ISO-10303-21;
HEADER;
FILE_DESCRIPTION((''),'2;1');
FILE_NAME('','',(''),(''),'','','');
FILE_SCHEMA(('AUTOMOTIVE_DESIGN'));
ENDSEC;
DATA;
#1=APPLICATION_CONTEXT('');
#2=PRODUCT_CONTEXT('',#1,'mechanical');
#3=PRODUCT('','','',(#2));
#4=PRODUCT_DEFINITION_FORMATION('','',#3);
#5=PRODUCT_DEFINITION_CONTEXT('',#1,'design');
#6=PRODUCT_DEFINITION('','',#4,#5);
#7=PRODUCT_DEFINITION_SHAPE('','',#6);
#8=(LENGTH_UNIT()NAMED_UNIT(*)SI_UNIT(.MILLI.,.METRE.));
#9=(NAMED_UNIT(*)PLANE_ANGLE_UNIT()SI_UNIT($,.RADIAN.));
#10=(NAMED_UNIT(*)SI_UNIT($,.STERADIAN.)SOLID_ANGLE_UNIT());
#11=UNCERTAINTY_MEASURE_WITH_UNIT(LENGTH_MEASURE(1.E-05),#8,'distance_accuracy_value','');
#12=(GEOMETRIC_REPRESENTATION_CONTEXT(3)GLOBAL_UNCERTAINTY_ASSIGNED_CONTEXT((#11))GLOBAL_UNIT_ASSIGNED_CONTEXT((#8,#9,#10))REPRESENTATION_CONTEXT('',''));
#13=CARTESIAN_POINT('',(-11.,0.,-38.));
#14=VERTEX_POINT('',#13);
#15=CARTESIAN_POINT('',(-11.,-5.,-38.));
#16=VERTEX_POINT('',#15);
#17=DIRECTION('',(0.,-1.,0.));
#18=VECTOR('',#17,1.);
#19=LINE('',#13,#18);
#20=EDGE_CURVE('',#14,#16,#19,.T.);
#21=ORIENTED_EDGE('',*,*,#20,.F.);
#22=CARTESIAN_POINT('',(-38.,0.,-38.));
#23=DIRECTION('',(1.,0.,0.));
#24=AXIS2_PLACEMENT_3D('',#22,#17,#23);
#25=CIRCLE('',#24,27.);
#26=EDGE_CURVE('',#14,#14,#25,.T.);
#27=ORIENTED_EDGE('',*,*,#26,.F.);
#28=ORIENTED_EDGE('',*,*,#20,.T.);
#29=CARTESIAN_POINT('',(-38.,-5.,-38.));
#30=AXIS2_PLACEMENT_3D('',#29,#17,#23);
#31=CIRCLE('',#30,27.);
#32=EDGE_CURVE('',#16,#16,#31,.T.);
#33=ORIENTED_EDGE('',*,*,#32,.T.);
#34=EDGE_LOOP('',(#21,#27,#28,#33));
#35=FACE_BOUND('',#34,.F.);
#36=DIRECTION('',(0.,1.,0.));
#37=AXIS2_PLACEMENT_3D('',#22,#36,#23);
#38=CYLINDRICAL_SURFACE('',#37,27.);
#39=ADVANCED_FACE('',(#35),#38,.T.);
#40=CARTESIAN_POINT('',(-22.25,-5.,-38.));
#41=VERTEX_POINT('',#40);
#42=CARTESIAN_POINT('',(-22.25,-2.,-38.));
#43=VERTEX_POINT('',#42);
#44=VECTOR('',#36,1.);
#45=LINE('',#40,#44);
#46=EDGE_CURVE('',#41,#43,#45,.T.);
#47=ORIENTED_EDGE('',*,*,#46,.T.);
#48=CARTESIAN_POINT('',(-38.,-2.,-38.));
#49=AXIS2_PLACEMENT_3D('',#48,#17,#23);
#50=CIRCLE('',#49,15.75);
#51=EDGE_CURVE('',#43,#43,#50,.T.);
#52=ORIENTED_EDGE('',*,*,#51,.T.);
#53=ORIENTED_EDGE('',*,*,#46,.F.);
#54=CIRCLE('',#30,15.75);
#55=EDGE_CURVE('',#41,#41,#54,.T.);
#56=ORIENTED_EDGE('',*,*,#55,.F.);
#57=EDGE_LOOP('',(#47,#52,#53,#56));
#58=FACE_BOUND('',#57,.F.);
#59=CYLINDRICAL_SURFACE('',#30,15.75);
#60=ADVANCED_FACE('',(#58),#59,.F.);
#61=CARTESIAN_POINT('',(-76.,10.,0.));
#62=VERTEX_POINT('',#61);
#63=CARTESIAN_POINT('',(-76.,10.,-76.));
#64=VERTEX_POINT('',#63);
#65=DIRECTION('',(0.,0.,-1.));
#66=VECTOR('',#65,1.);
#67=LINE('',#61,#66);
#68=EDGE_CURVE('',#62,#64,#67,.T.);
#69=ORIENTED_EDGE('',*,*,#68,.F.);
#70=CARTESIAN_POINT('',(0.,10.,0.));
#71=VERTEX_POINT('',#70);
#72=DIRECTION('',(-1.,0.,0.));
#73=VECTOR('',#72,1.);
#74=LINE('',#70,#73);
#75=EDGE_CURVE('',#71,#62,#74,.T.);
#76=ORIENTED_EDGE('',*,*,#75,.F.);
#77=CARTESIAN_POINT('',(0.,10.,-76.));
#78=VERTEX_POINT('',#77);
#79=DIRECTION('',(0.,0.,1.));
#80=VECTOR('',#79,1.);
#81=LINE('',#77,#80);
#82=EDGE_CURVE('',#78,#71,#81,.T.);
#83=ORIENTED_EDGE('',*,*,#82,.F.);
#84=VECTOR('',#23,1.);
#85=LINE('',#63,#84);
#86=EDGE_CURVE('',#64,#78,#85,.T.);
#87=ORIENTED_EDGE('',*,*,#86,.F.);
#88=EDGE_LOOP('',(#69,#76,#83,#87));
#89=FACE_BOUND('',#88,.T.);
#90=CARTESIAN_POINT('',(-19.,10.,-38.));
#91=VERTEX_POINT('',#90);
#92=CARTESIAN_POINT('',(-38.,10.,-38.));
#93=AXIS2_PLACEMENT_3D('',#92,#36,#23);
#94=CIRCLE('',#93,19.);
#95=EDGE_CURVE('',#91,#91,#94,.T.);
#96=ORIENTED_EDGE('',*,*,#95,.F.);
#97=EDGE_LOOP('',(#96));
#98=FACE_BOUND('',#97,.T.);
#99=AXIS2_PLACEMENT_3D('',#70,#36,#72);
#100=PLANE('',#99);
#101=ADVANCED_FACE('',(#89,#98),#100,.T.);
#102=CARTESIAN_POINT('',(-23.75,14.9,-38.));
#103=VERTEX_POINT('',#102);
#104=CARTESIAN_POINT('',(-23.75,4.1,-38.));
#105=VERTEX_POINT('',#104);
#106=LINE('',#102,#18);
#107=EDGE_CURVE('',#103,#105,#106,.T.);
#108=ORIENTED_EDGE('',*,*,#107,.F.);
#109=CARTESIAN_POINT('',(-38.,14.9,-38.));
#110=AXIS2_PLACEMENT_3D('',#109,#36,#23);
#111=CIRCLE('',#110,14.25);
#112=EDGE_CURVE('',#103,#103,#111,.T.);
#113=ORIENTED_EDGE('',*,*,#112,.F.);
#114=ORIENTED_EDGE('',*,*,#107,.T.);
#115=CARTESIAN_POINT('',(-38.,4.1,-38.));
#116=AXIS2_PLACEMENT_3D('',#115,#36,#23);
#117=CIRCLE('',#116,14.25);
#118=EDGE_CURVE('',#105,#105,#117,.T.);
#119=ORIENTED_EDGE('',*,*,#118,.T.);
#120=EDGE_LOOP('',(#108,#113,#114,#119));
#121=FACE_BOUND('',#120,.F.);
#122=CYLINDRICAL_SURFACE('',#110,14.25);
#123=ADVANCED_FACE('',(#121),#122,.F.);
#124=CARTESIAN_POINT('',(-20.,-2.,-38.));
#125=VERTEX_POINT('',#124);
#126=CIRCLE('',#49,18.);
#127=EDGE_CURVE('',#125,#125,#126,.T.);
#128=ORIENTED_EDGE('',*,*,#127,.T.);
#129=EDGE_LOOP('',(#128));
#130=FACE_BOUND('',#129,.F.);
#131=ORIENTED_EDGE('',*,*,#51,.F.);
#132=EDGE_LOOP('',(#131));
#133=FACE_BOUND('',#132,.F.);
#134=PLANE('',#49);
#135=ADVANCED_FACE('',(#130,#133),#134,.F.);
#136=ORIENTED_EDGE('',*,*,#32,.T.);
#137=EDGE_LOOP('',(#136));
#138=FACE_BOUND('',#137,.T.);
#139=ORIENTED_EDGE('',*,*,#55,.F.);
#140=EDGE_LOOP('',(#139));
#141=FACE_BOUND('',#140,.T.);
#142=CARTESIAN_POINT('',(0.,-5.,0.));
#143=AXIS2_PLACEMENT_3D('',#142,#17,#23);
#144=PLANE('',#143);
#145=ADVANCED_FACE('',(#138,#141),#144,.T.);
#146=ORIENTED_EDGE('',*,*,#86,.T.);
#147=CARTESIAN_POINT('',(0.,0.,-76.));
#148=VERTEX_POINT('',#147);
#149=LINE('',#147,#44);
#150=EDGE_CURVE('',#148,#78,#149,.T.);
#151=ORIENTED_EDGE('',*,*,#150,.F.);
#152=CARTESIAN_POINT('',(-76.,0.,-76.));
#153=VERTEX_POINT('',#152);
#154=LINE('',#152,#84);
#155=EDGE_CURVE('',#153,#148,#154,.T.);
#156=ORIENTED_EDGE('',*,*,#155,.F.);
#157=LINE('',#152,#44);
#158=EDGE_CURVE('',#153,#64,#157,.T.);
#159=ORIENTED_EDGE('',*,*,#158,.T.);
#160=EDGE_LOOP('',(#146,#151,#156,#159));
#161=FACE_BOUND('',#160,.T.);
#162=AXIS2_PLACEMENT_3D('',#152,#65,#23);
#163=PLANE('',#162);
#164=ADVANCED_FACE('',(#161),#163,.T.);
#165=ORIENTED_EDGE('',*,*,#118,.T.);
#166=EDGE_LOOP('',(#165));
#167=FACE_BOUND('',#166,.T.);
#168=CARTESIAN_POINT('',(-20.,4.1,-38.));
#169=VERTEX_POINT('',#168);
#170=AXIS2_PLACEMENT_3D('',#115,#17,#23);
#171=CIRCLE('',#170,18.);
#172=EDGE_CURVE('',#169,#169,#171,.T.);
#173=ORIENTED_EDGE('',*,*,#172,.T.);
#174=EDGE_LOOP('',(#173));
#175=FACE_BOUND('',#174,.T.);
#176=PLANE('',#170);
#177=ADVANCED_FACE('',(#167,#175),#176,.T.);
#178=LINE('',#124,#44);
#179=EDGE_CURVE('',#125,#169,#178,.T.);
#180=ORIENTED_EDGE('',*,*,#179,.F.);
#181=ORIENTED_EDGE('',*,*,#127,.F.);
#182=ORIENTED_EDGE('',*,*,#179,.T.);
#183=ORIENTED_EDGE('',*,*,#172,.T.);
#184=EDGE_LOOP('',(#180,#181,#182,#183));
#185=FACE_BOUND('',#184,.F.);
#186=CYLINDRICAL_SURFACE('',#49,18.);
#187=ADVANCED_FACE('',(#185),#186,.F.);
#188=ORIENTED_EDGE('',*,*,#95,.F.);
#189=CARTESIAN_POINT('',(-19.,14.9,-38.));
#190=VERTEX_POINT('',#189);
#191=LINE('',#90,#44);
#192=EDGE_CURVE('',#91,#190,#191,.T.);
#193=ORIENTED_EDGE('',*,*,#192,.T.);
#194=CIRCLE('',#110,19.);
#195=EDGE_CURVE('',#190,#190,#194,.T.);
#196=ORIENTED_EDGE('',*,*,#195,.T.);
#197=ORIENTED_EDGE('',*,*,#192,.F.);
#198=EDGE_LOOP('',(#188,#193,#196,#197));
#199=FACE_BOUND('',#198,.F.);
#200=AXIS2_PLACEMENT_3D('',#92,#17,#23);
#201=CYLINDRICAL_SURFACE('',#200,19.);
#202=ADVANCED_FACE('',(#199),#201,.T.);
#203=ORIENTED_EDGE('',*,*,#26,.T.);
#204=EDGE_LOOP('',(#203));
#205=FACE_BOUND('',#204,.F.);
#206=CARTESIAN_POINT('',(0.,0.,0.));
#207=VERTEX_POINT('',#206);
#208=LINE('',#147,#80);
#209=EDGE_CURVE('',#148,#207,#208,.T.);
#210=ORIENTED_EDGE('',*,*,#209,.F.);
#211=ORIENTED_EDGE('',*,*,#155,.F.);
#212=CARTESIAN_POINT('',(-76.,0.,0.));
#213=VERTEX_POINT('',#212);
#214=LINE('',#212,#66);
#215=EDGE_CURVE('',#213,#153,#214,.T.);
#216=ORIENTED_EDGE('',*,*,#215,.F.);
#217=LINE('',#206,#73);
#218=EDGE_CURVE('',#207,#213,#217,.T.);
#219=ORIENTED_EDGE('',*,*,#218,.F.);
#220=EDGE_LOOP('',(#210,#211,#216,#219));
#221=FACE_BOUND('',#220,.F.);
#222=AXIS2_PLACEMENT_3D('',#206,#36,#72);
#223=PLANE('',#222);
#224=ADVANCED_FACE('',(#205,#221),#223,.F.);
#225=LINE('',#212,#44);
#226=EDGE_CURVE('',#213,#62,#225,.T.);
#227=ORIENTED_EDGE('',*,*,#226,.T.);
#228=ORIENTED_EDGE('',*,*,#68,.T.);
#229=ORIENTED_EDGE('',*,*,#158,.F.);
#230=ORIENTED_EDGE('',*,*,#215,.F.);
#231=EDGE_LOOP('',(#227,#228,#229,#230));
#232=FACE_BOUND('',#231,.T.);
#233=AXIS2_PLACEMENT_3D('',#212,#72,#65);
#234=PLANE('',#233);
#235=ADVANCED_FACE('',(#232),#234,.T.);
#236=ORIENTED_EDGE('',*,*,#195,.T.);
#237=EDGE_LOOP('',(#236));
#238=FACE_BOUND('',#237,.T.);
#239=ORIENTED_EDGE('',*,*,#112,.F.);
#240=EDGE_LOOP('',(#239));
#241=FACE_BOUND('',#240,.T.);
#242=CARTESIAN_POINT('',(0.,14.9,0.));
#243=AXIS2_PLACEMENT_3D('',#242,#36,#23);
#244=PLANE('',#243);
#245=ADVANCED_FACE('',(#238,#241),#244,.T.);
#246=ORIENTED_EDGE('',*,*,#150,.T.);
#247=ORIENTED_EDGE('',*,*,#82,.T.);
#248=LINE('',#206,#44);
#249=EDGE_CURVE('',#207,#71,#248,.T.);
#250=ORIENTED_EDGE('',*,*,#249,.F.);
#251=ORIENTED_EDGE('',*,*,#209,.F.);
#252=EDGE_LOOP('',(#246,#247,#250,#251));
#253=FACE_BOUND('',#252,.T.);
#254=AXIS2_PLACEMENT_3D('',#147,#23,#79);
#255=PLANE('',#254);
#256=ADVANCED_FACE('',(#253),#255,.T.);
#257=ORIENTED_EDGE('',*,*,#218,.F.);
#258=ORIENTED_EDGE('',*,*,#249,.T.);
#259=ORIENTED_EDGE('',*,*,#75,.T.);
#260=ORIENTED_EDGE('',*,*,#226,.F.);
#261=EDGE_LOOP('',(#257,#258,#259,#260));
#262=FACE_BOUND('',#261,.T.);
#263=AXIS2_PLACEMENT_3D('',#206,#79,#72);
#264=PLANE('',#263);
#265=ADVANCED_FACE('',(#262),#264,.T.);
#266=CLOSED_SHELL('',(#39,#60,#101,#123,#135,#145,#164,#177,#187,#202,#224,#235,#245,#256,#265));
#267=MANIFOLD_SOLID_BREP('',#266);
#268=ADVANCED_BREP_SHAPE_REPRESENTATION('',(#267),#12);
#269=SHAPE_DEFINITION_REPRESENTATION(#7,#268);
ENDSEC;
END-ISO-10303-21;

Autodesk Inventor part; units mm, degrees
ref_plane "YZ Plane" through (0, 0, 0) normal (1, 0, 0) x (0, 1, 0)
ref_plane "XZ Plane" through (0, 0, 0) normal (0, 1, 0) x (-1, 0, 0)
ref_plane "XY Plane" through (0, 0, 0) normal (0, 0, 1) x (1, 0, 0)
sketch "Sketch1" plane through (0, 0, 0) normal (0, 1, 0) x (-1, 0, 0)
  line L0 (0, 0) -> (76, 0)
  line L1 (76, 0) -> (76, -76)
  line L2 (76, -76) -> (0, -76)
  line L3 (0, -76) -> (0, 0)
  dimension "d0" = 76
  dimension "d1" = 76
extrude "Extrusion1" add sketch "Sketch1" along normal blind 10
sketch "Sketch2" plane through (0, 10, 0) normal (0, 1, 0) x (1, 0, 0)
  circle A0 centre (-38, 38) radius 19
  point P0 (0, 0)
  dimension "d4" = 38
extrude "Extrusion2" add sketch "Sketch2" along normal blind 4.9
sketch "Sketch8" plane through (0, 0, 0) normal (0, -1, 0) x (1, 0, 0)
  circle A0 centre (-38, -38) radius 27
  point P0 (0, 0)
  dimension "d18" = 54
extrude "Extrusion6" add sketch "Sketch8" along normal blind 5
sketch "Sketch9" plane through (-38, -5, -38) normal (0, -1, 0) x (1, 0, 0)
  circle A0 centre (0, 0) radius 15.75
  point P0 (38, 38)
  dimension "d21" = 31.5
extrude "Extrusion7" cut sketch "Sketch9" against normal blind 3
sketch "Sketch10" plane through (-38, -2, -38) normal (0, -1, 0) x (1, 0, 0)
  circle A0 centre (0, 0) radius 18
  point P0 (38, 38)
  dimension "d24" = 36
extrude "Extrusion8" cut sketch "Sketch10" against normal blind 6.1
sketch "Sketch11" plane through (-38, 14.9, -38) normal (0, 1, 0) x (1, 0, 0)
  circle A0 centre (0, 0) radius 15.75 projected
  circle A1 centre (0, 0) radius 14.25
  point P0 (38, -38)
  dimension "d27" = 28.5
extrude "Extrusion9" cut sketch "Sketch11" against normal blind 10.8 contours A1
